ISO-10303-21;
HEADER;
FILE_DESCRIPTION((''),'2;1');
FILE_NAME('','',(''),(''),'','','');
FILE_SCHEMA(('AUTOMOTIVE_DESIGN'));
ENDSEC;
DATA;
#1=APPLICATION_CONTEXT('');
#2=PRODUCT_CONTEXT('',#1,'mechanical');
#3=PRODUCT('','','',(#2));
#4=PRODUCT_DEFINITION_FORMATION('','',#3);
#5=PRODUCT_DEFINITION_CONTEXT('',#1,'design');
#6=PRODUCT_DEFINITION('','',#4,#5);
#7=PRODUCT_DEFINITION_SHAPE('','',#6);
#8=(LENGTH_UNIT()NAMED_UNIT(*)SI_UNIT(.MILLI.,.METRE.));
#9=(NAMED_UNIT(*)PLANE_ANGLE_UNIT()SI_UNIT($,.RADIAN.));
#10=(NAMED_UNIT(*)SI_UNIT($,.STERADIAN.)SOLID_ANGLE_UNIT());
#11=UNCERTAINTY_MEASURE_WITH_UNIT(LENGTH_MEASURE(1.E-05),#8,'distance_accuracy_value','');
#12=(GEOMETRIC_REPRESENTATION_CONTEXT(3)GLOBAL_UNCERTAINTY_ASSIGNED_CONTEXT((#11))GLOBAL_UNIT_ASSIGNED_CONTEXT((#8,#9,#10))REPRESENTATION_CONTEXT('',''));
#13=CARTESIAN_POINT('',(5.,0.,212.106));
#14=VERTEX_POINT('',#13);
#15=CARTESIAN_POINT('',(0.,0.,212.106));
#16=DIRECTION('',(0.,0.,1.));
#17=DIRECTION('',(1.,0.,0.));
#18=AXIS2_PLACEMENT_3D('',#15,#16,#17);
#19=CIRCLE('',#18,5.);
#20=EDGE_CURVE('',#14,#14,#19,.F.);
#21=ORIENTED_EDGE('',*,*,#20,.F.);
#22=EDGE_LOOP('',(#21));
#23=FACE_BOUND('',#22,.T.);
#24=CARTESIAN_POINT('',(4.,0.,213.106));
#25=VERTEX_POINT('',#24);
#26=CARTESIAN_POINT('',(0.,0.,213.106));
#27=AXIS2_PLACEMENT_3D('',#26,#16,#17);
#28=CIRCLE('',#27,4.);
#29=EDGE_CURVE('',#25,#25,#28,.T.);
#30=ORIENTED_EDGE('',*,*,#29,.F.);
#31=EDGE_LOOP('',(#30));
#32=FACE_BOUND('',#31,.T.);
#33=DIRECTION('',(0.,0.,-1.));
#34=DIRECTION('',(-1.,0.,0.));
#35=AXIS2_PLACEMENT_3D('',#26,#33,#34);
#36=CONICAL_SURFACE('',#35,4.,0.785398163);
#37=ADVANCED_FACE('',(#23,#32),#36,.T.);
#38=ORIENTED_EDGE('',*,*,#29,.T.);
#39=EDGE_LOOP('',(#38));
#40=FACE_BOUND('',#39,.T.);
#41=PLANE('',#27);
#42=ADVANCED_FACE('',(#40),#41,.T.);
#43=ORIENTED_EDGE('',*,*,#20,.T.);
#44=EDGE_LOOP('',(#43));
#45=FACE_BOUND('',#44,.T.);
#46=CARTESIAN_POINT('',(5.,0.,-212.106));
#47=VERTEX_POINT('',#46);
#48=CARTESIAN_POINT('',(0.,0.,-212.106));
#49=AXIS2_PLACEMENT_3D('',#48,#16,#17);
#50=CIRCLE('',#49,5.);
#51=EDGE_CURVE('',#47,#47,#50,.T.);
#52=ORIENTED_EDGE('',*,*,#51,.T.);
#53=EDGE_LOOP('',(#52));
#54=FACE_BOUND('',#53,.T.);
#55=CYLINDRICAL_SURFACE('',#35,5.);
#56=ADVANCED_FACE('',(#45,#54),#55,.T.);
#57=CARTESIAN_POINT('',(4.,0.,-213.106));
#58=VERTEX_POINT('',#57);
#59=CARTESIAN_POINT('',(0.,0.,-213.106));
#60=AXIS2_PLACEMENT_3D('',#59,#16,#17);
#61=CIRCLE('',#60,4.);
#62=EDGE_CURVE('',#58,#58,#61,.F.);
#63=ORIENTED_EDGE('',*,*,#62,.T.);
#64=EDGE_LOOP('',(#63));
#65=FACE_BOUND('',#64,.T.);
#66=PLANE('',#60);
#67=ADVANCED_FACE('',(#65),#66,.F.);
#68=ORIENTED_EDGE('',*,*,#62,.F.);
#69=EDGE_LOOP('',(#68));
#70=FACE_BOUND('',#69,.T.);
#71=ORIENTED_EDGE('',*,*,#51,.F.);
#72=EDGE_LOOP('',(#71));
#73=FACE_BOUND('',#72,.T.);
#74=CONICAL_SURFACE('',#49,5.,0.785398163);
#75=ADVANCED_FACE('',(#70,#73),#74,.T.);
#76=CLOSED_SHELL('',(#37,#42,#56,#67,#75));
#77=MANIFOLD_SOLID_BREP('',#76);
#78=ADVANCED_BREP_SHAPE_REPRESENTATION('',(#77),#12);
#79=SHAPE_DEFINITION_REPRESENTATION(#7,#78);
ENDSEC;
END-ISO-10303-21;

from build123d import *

# Parameters (mm, degrees)
SKETCH1_R      = 5
EXTRUDE1_DEPTH = 213.106
CHAMFER1_SIZE  = 1


with BuildPart() as part:
    # Sketch1 → Extrude1 (new body, symmetric)
    with BuildSketch(Plane.XY):
        Circle(SKETCH1_R)
    extrude(amount=EXTRUDE1_DEPTH, both=True)

    # Chamfer1
    chamfer1_edges = [part.edges().sort_by_distance(p)[0] for p in [
        (-5, 0, -213.106),
        (-5, 0, 213.106),
    ]]
    chamfer(chamfer1_edges, length=CHAMFER1_SIZE)


solid = part.part
